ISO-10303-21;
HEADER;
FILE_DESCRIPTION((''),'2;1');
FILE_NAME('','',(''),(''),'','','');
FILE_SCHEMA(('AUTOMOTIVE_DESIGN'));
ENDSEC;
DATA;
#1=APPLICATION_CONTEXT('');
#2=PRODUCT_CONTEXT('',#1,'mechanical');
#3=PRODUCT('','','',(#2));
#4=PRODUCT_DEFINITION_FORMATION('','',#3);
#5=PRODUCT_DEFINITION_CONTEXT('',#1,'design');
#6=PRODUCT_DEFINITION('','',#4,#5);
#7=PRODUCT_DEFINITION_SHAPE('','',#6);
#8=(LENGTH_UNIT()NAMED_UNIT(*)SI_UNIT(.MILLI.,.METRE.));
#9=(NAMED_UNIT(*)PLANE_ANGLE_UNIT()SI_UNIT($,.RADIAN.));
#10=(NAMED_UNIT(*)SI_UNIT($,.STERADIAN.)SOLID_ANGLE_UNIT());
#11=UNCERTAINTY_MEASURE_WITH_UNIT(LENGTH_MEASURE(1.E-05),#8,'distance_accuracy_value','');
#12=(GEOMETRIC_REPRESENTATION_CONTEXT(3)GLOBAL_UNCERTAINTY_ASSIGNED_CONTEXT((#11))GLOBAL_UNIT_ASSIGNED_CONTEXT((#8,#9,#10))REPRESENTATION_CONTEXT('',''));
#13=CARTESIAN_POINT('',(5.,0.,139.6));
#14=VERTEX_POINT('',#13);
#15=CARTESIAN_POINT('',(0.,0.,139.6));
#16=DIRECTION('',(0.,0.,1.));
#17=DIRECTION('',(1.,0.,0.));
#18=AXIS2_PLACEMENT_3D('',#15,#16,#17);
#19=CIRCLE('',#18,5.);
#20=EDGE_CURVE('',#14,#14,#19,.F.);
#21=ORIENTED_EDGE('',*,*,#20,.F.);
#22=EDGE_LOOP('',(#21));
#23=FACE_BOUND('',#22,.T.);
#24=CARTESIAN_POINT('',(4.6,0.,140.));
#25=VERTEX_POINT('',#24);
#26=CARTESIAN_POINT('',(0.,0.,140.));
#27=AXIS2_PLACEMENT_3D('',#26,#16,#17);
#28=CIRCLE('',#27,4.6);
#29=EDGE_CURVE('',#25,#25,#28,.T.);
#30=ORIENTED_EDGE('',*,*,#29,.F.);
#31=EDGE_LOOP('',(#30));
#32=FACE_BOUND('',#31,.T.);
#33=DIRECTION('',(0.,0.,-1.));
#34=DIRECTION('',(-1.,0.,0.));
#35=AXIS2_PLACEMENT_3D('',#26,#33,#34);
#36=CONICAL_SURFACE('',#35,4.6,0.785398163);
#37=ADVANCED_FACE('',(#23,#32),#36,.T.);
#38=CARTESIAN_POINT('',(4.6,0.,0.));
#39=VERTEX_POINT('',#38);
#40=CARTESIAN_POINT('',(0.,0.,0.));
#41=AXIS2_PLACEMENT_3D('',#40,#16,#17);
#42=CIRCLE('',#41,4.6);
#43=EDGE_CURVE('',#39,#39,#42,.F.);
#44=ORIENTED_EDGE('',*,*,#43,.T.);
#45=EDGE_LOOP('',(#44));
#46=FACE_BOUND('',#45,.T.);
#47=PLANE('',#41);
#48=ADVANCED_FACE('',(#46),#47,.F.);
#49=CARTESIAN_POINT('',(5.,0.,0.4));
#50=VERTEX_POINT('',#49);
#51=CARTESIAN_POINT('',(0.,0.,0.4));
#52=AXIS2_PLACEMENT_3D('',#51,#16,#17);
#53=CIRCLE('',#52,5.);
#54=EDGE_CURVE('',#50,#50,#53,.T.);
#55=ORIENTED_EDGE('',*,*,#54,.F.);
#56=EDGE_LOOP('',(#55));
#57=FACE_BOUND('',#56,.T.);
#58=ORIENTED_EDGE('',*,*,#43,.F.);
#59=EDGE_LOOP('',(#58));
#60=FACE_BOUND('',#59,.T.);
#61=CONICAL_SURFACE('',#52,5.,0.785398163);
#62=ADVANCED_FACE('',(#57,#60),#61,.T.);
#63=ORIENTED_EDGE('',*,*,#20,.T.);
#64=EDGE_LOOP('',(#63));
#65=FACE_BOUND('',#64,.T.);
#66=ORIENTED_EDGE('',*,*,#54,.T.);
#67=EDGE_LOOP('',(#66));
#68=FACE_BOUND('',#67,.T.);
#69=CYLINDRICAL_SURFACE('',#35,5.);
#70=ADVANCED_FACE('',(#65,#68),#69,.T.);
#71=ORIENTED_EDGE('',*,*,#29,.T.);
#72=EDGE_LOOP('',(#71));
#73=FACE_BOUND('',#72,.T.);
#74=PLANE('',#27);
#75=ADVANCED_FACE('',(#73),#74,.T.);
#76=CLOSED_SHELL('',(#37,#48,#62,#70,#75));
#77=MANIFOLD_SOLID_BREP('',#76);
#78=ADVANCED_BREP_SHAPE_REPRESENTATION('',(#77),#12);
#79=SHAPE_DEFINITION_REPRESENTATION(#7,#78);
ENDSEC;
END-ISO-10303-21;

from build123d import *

# Parameters (mm, degrees)
SKIZZE1_R                       = 5
AUFSATZ_LINEAR_AUSTRAGEN1_DEPTH = 140
FASE1_SIZE                      = 0.4


with BuildPart() as part:
    # Skizze1 → Aufsatz-Linear austragen1 (new body)
    with BuildSketch(Plane.XY):
        Circle(SKIZZE1_R)
    extrude(amount=AUFSATZ_LINEAR_AUSTRAGEN1_DEPTH)

    # Fase1
    fase1_edges = [part.edges().sort_by_distance(p)[0] for p in [
        (-5, 0, 0),
        (-5, 0, 140),
    ]]
    chamfer(fase1_edges, length=FASE1_SIZE)


solid = part.part
